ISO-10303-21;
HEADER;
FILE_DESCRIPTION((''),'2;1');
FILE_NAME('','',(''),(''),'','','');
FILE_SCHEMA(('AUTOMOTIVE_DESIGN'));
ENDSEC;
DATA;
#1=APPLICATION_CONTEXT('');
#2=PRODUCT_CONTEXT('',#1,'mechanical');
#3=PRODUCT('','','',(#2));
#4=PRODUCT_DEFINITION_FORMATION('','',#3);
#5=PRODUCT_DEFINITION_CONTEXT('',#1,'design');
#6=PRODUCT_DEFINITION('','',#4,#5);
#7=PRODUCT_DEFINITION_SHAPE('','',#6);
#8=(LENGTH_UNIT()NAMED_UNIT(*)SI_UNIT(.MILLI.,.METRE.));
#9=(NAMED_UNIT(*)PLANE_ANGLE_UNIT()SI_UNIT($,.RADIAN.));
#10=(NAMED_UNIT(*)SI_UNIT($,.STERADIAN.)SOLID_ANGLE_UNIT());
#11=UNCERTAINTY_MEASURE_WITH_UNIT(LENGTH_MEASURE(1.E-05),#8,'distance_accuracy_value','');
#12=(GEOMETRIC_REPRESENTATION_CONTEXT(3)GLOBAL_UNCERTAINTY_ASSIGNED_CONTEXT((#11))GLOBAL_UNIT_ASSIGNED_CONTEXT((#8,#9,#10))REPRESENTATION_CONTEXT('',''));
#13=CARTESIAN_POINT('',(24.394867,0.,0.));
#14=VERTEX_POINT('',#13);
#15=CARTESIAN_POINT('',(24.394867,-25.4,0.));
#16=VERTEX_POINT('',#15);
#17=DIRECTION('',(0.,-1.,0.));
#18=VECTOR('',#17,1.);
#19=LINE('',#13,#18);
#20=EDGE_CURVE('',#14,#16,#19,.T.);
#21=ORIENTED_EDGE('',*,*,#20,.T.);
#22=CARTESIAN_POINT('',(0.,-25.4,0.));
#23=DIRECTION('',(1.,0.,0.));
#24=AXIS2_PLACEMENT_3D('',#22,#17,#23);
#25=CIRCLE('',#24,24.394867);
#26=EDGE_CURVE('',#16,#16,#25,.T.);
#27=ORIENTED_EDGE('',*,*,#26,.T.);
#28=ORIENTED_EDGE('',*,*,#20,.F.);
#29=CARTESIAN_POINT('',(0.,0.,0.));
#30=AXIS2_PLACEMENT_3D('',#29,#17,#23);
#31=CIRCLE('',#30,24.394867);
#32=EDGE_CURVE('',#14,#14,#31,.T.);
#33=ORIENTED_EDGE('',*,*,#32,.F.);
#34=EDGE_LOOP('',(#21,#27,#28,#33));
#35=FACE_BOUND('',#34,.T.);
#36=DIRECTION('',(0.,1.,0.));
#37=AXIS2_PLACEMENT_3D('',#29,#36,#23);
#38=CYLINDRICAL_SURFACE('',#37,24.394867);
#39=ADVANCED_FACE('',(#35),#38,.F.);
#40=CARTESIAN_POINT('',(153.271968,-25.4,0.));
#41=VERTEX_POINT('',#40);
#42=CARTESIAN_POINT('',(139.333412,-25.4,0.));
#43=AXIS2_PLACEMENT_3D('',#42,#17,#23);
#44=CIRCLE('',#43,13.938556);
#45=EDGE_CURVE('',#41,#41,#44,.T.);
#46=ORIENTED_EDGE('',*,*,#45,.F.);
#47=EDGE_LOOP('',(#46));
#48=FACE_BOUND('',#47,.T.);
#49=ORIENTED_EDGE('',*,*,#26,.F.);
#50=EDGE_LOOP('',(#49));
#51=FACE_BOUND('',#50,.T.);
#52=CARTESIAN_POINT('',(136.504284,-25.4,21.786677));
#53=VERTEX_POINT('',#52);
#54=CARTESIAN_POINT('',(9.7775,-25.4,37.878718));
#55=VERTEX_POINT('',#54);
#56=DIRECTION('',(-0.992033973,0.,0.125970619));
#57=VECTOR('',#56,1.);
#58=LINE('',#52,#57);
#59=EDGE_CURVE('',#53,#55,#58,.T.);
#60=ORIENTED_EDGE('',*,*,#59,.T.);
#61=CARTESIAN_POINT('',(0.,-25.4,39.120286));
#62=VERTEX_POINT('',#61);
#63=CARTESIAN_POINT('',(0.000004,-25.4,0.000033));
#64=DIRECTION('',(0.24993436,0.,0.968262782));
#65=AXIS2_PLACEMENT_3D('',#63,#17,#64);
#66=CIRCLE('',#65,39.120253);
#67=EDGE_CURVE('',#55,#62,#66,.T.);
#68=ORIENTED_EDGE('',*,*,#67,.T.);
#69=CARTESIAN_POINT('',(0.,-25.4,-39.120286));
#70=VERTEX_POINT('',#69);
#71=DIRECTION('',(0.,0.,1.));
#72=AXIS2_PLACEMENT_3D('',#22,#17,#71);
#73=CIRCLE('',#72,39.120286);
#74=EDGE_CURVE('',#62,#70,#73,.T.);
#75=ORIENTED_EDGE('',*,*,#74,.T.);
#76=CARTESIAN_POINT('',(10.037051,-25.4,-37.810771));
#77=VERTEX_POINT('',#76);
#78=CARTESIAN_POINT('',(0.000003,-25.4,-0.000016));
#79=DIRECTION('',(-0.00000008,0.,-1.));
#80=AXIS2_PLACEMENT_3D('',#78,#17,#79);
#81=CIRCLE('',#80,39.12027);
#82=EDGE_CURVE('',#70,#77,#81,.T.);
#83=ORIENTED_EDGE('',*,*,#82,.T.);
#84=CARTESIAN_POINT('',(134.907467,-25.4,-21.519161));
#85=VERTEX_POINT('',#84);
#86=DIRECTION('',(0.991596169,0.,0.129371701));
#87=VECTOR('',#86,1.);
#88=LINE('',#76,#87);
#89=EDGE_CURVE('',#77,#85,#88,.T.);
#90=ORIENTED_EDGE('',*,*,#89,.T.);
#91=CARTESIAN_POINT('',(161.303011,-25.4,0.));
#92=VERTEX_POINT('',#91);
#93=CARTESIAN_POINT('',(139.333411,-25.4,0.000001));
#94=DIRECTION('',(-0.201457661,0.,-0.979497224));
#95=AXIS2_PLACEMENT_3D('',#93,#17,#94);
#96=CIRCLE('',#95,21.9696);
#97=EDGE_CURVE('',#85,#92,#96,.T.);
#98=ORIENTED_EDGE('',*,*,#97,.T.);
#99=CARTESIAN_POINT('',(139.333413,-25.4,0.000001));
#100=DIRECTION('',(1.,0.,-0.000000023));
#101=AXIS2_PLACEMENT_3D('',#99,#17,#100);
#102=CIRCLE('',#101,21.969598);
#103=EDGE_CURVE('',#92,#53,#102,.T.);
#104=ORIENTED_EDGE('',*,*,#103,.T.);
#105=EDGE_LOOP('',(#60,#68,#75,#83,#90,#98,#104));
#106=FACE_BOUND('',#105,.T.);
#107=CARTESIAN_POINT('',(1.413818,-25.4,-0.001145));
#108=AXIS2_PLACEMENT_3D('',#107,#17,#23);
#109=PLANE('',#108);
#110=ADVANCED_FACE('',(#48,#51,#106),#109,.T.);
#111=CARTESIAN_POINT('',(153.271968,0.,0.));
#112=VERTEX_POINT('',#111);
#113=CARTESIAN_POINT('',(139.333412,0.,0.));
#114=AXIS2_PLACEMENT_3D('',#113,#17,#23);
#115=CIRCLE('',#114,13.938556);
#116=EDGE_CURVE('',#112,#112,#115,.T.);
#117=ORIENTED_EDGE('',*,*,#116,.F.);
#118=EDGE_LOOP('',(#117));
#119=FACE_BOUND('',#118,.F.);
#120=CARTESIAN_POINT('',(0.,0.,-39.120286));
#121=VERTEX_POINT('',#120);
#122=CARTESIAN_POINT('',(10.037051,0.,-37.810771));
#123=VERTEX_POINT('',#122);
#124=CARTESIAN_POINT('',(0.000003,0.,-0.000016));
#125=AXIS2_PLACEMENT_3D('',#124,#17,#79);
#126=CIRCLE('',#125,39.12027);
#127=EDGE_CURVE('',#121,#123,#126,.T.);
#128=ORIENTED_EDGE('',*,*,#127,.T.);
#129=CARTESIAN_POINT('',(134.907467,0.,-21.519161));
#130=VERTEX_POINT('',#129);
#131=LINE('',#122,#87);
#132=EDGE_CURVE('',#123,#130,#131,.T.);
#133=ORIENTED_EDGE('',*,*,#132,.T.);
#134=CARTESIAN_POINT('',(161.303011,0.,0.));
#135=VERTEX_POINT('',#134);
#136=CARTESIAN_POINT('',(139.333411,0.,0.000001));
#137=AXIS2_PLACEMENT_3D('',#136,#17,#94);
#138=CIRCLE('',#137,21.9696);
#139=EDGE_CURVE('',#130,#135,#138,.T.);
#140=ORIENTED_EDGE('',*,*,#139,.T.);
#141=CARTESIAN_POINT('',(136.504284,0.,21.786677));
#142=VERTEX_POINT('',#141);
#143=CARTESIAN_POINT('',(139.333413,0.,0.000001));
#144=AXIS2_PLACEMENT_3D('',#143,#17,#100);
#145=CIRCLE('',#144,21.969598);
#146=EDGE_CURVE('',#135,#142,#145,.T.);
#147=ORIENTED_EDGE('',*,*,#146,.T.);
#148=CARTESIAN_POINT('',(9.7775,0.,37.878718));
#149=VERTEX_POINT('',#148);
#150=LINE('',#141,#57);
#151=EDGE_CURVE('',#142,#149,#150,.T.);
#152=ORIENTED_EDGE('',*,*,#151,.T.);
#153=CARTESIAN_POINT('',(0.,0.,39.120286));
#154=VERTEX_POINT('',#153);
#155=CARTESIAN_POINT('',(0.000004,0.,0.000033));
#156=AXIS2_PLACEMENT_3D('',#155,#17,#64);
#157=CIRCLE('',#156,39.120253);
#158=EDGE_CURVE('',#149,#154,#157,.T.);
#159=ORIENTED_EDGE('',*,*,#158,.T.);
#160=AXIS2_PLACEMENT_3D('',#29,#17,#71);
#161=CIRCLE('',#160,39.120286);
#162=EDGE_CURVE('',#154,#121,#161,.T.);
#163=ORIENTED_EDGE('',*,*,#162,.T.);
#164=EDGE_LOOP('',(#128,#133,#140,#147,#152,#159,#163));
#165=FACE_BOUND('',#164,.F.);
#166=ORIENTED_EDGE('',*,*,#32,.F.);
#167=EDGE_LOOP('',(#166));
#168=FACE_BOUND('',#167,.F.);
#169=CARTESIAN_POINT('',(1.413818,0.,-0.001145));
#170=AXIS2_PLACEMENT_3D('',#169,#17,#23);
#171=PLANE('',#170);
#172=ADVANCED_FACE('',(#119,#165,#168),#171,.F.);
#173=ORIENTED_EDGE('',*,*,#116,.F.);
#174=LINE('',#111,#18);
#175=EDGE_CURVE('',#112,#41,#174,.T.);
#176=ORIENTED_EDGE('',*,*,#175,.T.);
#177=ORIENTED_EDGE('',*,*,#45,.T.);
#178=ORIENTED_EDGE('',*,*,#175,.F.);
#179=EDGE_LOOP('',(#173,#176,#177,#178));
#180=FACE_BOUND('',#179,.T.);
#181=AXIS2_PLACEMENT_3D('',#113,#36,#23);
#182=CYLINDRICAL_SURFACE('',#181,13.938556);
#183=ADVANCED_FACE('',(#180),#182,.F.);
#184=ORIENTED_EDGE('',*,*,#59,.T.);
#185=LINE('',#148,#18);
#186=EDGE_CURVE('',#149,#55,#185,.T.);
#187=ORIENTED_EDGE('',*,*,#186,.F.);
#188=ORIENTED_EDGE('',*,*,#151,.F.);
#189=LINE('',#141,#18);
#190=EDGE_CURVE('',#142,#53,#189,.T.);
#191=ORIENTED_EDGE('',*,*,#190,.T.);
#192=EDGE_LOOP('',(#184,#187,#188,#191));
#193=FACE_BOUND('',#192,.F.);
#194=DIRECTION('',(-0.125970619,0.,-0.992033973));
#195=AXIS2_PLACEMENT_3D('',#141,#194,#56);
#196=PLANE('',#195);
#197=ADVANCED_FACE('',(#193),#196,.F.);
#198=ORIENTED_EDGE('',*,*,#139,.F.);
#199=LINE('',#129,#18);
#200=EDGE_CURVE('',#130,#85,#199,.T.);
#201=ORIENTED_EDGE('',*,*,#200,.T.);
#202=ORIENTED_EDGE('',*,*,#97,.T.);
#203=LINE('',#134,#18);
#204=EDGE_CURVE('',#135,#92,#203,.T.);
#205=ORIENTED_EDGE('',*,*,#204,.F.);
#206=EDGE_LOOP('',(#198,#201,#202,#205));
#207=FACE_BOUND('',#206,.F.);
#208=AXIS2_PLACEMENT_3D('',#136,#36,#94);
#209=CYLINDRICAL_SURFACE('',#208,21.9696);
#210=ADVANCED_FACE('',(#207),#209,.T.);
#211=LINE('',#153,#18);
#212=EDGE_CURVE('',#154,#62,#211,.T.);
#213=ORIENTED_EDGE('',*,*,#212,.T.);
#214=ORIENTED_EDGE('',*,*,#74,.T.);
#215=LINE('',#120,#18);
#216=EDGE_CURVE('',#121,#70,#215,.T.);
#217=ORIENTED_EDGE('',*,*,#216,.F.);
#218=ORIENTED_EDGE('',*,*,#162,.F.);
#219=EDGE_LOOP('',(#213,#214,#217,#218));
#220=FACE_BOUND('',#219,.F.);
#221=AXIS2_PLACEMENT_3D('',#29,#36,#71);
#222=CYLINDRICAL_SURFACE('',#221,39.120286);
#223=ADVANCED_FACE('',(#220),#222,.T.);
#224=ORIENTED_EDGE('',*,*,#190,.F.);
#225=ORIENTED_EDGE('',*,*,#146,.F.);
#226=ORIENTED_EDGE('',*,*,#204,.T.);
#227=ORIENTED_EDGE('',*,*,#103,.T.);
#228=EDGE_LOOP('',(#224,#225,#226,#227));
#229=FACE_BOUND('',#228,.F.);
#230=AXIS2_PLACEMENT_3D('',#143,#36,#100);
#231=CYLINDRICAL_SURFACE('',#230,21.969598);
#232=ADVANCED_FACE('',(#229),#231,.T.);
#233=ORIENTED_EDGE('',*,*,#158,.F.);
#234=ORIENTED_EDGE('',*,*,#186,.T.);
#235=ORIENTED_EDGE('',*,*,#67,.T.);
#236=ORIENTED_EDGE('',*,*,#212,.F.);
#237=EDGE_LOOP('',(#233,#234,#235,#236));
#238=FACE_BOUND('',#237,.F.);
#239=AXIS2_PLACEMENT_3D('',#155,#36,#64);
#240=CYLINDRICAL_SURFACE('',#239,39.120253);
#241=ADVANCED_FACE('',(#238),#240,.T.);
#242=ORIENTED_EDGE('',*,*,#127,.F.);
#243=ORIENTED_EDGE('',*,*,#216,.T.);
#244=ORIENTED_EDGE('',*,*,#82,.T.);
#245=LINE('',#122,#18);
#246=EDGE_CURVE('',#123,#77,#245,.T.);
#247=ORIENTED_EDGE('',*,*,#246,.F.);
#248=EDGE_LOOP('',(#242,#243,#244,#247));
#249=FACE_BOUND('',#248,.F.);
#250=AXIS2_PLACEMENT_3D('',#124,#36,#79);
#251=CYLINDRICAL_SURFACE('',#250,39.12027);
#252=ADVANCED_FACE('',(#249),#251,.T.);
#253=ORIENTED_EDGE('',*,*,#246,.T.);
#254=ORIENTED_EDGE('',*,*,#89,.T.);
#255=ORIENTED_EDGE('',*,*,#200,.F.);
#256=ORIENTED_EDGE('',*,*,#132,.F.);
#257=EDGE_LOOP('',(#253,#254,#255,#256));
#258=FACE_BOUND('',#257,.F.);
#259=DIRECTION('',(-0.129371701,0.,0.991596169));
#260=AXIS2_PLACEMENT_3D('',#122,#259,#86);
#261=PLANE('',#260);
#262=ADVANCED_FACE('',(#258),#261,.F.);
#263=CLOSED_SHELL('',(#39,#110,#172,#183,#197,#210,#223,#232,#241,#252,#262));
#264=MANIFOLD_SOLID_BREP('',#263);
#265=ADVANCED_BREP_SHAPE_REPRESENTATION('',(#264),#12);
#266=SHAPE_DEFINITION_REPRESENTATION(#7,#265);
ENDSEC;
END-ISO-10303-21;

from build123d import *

# Parameters (mm, degrees)
F0_R     = 24.394867
F0_R_2   = 13.938556
F1_DEPTH = 25.4


with BuildPart() as f1:
    # F0 (on Front) → F1 (new body)
    with BuildSketch(Plane.XZ):
        with BuildLine():
            Line((9.7775, 37.878718), (0, 39.120286))
            ThreePointArc((0, 39.120286), (-39.120286, 0), (0, -39.120286))
            Line((0, -39.120286), (10.037051, -37.810771))
            ThreePointArc((10.037051, -37.810771), (31.008459, -23.851043), (39.120286, 0))
            ThreePointArc((39.120286, 0), (30.926488, 23.957235), (9.7775, 37.878718))
        make_face()
        Circle(F0_R, mode=Mode.SUBTRACT)
        with BuildLine():
            ThreePointArc((9.7775, 37.878718), (4.928007, 38.808653), (0, 39.120286))
            Line((0, 39.120286), (9.7775, 37.878718))
        make_face()
        with BuildLine():
            Line((10.037051, -37.810771), (0, -39.120286))
            ThreePointArc((0, -39.120286), (5.061058, -38.791526), (10.037051, -37.810771))
        make_face()
        with BuildLine():
            Line((136.504284, 21.786677), (9.7775, 37.878718))
            ThreePointArc((9.7775, 37.878718), (30.926488, 23.957235), (39.120286, 0))
            ThreePointArc((39.120286, 0), (31.008459, -23.851043), (10.037051, -37.810771))
            Line((10.037051, -37.810771), (134.907467, -21.519161))
            ThreePointArc((134.907467, -21.519161), (117.378733, 0.809535), (136.504284, 21.786677))
        make_face()
        with BuildLine():
            ThreePointArc((161.303011, 0), (153.833558, 16.504819), (136.504284, 21.786677))
            ThreePointArc((136.504284, 21.786677), (117.378733, 0.809535), (134.907467, -21.519161))
            ThreePointArc((134.907467, -21.519161), (153.215541, -17.027911), (161.303011, 0))
        make_face()
        with Locations((139.333412, 0)):
            Circle(F0_R_2, mode=Mode.SUBTRACT)
    extrude(amount=F1_DEPTH)


solid = f1.part
